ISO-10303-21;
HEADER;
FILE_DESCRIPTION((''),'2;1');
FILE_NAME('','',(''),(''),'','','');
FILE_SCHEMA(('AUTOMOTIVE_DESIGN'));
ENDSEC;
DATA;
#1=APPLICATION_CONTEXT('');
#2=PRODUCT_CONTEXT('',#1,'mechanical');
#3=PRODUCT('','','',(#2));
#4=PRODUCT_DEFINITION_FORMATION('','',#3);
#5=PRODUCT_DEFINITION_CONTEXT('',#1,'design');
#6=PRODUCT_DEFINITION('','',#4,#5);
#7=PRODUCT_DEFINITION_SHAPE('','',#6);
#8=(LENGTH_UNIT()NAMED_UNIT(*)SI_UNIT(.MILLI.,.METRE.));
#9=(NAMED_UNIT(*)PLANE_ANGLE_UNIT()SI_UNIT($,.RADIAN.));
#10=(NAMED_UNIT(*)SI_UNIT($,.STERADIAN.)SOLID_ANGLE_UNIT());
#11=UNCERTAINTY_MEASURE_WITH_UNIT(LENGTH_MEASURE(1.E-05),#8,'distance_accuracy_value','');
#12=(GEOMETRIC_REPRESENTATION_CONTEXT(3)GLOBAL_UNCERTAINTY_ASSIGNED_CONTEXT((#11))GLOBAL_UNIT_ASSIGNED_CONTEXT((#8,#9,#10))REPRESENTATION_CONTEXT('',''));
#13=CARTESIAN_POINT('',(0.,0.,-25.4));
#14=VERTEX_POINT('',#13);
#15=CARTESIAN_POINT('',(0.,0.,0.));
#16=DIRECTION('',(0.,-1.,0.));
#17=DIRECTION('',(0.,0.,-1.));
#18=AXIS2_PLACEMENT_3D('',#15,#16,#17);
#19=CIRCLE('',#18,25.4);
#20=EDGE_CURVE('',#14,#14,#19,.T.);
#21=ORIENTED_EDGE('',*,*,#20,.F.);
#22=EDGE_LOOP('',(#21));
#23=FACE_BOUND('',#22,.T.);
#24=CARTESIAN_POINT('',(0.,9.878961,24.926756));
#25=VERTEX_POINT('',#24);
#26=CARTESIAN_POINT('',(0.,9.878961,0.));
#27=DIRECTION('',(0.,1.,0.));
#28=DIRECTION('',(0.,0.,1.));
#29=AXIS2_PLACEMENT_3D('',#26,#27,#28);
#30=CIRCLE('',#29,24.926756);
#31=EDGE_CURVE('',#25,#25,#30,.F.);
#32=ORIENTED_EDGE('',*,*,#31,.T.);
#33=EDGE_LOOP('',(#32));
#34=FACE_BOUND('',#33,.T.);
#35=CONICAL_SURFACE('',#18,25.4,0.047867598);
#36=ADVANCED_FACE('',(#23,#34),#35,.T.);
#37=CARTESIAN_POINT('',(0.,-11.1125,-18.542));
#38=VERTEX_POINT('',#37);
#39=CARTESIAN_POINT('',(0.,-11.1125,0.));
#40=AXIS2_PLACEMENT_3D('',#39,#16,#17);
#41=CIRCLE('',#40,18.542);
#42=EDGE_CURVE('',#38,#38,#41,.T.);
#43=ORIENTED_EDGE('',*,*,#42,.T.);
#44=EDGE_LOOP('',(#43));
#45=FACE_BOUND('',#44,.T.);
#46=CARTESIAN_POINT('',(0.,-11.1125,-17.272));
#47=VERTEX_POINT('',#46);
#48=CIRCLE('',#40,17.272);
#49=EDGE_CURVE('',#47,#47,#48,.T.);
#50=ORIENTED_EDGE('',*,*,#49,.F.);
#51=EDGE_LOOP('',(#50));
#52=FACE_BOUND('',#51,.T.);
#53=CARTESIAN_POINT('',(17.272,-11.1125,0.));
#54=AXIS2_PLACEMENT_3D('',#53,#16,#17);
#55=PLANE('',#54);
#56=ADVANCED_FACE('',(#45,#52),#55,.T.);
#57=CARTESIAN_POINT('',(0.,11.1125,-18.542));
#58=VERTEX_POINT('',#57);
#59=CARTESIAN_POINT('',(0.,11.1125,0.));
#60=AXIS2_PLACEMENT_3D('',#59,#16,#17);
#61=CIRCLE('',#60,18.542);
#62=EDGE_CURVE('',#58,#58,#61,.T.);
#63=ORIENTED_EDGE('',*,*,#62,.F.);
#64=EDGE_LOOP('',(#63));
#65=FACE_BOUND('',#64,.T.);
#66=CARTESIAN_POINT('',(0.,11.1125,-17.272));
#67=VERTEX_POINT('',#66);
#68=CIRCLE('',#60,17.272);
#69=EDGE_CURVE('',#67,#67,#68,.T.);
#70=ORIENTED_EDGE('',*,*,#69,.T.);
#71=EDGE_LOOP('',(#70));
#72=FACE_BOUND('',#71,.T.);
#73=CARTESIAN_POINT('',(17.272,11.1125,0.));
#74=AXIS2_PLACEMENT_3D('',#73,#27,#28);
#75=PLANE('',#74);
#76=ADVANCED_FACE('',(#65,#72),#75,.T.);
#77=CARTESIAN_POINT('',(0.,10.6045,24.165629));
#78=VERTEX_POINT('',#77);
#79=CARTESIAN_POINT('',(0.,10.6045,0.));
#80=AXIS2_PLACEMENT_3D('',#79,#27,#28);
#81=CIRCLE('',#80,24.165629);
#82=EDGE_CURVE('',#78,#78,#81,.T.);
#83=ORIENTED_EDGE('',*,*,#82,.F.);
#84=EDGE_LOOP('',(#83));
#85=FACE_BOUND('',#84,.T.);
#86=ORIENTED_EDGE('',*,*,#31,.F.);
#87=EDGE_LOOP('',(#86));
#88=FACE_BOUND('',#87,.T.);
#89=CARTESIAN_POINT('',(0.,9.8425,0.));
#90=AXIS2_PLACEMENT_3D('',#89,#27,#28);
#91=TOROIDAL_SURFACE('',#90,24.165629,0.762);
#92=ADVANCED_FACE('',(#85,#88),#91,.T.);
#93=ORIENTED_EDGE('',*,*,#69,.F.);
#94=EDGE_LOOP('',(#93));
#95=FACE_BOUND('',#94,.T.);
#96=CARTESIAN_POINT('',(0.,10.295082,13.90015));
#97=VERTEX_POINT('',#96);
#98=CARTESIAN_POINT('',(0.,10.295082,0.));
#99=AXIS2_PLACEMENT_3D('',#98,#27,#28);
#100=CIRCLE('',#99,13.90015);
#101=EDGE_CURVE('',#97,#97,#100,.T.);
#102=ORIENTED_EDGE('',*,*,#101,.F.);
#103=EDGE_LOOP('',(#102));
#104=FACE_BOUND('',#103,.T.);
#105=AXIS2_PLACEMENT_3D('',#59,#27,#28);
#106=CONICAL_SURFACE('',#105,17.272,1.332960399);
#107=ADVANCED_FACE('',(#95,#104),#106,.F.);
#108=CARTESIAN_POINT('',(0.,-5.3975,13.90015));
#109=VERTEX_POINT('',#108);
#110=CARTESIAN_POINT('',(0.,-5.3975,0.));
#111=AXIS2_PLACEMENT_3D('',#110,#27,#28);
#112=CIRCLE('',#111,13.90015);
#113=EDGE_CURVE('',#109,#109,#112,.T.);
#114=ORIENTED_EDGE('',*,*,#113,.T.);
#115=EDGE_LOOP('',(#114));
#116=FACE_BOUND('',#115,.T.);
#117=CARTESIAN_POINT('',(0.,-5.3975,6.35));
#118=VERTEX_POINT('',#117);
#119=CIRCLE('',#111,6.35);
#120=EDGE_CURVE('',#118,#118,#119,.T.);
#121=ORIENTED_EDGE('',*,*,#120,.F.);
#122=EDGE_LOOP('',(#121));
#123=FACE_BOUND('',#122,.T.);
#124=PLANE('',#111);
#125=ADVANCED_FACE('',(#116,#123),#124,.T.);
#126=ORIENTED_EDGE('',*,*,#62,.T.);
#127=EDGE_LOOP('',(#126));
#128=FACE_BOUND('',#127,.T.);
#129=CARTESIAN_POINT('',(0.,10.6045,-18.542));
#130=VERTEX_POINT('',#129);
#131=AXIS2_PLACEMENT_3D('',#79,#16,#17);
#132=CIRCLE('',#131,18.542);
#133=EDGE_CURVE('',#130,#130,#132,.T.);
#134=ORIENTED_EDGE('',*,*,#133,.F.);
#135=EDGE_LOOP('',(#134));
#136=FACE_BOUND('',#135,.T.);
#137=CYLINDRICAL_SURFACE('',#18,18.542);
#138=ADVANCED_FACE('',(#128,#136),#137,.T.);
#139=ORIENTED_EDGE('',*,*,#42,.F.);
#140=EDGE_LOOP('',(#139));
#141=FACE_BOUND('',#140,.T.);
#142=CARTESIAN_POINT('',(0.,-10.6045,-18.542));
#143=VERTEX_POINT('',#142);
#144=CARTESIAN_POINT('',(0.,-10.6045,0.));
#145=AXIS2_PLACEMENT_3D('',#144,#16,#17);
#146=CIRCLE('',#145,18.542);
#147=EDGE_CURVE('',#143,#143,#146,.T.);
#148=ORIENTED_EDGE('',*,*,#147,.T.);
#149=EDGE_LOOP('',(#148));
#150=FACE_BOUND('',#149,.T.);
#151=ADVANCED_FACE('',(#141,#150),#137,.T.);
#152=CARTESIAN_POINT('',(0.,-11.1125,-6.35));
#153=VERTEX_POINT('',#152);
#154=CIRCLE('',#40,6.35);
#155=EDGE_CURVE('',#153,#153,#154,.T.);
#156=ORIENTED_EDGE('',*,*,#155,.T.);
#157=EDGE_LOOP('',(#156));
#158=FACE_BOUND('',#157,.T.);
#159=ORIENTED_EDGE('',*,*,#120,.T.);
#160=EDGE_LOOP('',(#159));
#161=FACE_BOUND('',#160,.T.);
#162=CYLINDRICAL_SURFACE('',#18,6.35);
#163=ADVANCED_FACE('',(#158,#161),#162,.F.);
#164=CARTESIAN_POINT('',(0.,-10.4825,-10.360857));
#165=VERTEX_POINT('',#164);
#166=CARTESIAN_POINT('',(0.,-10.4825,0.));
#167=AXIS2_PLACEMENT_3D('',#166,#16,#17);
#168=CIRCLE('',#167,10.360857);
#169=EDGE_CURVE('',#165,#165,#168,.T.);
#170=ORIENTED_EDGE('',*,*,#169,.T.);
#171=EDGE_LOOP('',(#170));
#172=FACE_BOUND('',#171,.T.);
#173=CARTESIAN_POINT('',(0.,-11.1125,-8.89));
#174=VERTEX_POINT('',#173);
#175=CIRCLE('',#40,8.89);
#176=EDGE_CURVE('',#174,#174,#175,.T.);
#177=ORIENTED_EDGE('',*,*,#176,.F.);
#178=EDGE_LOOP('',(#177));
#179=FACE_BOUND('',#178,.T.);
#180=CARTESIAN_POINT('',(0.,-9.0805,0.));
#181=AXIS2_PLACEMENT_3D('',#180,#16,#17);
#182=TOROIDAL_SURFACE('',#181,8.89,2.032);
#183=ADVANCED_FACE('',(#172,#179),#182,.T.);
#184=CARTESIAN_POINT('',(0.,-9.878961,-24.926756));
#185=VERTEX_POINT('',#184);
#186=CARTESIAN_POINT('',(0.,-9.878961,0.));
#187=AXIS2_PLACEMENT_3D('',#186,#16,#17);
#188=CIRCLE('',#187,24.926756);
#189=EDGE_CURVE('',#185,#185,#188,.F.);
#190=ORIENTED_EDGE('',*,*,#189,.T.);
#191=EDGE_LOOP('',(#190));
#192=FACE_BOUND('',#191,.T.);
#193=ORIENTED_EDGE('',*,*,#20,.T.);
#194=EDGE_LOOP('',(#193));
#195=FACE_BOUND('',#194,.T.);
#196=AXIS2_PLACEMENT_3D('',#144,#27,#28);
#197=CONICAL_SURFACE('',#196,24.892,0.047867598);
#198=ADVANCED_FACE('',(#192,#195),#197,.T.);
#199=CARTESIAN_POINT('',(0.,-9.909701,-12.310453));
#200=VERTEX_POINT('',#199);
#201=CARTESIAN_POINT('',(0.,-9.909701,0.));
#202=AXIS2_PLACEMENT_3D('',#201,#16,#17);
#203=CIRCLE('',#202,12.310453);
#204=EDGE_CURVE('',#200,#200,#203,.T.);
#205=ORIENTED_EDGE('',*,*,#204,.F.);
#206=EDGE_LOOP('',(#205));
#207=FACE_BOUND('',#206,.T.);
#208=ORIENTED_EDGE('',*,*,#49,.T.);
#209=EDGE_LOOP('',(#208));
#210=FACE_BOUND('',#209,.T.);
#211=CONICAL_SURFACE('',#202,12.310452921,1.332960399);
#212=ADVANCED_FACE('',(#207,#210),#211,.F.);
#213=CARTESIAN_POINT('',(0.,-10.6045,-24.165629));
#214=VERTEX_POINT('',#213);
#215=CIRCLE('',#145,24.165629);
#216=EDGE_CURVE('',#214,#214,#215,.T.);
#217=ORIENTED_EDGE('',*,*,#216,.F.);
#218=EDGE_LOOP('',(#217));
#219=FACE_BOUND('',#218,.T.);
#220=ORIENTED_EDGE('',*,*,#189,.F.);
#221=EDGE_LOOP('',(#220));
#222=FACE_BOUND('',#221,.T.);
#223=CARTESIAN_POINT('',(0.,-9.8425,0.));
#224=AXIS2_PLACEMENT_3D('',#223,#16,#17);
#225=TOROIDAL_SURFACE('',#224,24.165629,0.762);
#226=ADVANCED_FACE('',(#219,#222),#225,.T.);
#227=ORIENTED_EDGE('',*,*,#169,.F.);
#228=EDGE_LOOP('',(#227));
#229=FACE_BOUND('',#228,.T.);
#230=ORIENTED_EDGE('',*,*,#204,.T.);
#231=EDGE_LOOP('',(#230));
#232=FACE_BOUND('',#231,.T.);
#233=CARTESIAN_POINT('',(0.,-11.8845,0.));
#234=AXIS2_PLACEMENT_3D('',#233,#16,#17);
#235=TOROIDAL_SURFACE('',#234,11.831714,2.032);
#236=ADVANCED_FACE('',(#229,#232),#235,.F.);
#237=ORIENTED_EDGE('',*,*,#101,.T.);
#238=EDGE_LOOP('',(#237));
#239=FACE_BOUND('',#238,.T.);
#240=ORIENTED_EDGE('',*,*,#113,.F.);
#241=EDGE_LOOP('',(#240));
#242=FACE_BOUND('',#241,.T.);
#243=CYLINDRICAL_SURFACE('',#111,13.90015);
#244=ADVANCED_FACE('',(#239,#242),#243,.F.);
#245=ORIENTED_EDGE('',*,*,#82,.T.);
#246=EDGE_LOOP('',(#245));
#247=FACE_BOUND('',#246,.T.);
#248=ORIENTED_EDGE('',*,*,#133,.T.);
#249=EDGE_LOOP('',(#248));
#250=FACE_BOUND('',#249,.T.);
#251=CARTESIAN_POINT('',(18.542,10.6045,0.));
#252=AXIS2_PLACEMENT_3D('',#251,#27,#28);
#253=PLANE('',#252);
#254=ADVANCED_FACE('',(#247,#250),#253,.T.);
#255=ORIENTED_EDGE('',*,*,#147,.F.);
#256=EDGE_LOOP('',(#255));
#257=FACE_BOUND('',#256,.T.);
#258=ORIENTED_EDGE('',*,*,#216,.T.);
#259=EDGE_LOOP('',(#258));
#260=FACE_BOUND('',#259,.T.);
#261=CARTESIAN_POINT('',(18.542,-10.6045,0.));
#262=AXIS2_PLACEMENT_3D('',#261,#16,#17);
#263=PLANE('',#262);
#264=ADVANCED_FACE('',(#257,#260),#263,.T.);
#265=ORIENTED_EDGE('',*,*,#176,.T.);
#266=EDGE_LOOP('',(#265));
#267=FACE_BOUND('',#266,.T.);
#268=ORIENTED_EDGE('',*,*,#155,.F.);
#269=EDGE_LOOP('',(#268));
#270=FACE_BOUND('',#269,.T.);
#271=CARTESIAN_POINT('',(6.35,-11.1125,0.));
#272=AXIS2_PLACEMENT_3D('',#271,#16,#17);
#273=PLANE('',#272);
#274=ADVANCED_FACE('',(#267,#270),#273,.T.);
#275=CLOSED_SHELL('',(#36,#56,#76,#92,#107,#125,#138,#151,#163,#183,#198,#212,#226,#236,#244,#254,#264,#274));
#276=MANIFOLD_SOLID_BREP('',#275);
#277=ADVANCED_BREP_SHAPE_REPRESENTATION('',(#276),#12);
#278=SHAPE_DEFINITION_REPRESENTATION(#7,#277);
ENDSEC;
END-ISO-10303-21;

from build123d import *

# Parameters (mm, degrees)
FILLET1_R          = 0.762
SKETCH3_R          = 13.90015
CUT_EXTRUDE1_DEPTH = 16.51


with BuildPart() as part:
    # Sketch2 → Revolve1 (revolve)
    with BuildSketch(Plane.XY, mode=Mode.PRIVATE) as revolve1_sk:
        with BuildLine():
            Line((6.35, -11.1125), (6.35, 11.1125))
            Line((6.35, 11.1125), (8.89, 11.1125))
            ThreePointArc((8.89, 11.1125), (9.690049959, 10.948371533), (10.360856835, 10.482500061))
            ThreePointArc((10.360856835, 10.482500061), (11.258914316, 9.934904036), (12.310452921, 9.909700708))
            Line((12.310452921, 9.909700708), (17.272, 11.1125))
            Line((17.272, 11.1125), (18.542, 11.1125))
            Line((18.542, 11.1125), (18.542, 10.6045))
            Line((18.542, 10.6045), (24.892, 10.6045))
            Line((24.892, 10.6045), (25.4, 0))
            Line((25.4, 0), (24.892, -10.6045))
            Line((24.892, -10.6045), (18.542, -10.6045))
            Line((18.542, -10.6045), (18.542, -11.1125))
            Line((18.542, -11.1125), (17.272, -11.1125))
            Line((17.272, -11.1125), (12.310452921, -9.909700708))
            ThreePointArc((12.310452921, -9.909700708), (11.258914316, -9.934904036), (10.360856835, -10.482500061))
            ThreePointArc((10.360856835, -10.482500061), (9.690049959, -10.948371533), (8.89, -11.1125))
            Line((8.89, -11.1125), (6.35, -11.1125))
        make_face()
    revolve(revolve1_sk.sketch.rotate(Axis((0, 0, 0), (0, 1, 0)), 90), axis=Axis((0, 0, 0), (0, 1, 0)))  # turned: the seam where the file's is

    # Fillet1
    fillet1_edges = [part.edges().sort_by_distance(p)[0] for p in [
        (0, -10.6045, 24.892),
        (0, 10.6045, 24.892),
    ]]
    fillet(fillet1_edges, radius=FILLET1_R)

    # Sketch3 → Cut-Extrude1 (cut)
    with BuildSketch(Plane(origin=(0, 11.1125, 0), x_dir=(-1, 0, 0), z_dir=(0, 1, 0))):
        with Locations(Location((0, 0, 0), (0, 0, 90))):  # turned: the seam where the file's is
            Circle(SKETCH3_R)
    extrude(amount=-CUT_EXTRUDE1_DEPTH, mode=Mode.SUBTRACT)


solid = part.part
